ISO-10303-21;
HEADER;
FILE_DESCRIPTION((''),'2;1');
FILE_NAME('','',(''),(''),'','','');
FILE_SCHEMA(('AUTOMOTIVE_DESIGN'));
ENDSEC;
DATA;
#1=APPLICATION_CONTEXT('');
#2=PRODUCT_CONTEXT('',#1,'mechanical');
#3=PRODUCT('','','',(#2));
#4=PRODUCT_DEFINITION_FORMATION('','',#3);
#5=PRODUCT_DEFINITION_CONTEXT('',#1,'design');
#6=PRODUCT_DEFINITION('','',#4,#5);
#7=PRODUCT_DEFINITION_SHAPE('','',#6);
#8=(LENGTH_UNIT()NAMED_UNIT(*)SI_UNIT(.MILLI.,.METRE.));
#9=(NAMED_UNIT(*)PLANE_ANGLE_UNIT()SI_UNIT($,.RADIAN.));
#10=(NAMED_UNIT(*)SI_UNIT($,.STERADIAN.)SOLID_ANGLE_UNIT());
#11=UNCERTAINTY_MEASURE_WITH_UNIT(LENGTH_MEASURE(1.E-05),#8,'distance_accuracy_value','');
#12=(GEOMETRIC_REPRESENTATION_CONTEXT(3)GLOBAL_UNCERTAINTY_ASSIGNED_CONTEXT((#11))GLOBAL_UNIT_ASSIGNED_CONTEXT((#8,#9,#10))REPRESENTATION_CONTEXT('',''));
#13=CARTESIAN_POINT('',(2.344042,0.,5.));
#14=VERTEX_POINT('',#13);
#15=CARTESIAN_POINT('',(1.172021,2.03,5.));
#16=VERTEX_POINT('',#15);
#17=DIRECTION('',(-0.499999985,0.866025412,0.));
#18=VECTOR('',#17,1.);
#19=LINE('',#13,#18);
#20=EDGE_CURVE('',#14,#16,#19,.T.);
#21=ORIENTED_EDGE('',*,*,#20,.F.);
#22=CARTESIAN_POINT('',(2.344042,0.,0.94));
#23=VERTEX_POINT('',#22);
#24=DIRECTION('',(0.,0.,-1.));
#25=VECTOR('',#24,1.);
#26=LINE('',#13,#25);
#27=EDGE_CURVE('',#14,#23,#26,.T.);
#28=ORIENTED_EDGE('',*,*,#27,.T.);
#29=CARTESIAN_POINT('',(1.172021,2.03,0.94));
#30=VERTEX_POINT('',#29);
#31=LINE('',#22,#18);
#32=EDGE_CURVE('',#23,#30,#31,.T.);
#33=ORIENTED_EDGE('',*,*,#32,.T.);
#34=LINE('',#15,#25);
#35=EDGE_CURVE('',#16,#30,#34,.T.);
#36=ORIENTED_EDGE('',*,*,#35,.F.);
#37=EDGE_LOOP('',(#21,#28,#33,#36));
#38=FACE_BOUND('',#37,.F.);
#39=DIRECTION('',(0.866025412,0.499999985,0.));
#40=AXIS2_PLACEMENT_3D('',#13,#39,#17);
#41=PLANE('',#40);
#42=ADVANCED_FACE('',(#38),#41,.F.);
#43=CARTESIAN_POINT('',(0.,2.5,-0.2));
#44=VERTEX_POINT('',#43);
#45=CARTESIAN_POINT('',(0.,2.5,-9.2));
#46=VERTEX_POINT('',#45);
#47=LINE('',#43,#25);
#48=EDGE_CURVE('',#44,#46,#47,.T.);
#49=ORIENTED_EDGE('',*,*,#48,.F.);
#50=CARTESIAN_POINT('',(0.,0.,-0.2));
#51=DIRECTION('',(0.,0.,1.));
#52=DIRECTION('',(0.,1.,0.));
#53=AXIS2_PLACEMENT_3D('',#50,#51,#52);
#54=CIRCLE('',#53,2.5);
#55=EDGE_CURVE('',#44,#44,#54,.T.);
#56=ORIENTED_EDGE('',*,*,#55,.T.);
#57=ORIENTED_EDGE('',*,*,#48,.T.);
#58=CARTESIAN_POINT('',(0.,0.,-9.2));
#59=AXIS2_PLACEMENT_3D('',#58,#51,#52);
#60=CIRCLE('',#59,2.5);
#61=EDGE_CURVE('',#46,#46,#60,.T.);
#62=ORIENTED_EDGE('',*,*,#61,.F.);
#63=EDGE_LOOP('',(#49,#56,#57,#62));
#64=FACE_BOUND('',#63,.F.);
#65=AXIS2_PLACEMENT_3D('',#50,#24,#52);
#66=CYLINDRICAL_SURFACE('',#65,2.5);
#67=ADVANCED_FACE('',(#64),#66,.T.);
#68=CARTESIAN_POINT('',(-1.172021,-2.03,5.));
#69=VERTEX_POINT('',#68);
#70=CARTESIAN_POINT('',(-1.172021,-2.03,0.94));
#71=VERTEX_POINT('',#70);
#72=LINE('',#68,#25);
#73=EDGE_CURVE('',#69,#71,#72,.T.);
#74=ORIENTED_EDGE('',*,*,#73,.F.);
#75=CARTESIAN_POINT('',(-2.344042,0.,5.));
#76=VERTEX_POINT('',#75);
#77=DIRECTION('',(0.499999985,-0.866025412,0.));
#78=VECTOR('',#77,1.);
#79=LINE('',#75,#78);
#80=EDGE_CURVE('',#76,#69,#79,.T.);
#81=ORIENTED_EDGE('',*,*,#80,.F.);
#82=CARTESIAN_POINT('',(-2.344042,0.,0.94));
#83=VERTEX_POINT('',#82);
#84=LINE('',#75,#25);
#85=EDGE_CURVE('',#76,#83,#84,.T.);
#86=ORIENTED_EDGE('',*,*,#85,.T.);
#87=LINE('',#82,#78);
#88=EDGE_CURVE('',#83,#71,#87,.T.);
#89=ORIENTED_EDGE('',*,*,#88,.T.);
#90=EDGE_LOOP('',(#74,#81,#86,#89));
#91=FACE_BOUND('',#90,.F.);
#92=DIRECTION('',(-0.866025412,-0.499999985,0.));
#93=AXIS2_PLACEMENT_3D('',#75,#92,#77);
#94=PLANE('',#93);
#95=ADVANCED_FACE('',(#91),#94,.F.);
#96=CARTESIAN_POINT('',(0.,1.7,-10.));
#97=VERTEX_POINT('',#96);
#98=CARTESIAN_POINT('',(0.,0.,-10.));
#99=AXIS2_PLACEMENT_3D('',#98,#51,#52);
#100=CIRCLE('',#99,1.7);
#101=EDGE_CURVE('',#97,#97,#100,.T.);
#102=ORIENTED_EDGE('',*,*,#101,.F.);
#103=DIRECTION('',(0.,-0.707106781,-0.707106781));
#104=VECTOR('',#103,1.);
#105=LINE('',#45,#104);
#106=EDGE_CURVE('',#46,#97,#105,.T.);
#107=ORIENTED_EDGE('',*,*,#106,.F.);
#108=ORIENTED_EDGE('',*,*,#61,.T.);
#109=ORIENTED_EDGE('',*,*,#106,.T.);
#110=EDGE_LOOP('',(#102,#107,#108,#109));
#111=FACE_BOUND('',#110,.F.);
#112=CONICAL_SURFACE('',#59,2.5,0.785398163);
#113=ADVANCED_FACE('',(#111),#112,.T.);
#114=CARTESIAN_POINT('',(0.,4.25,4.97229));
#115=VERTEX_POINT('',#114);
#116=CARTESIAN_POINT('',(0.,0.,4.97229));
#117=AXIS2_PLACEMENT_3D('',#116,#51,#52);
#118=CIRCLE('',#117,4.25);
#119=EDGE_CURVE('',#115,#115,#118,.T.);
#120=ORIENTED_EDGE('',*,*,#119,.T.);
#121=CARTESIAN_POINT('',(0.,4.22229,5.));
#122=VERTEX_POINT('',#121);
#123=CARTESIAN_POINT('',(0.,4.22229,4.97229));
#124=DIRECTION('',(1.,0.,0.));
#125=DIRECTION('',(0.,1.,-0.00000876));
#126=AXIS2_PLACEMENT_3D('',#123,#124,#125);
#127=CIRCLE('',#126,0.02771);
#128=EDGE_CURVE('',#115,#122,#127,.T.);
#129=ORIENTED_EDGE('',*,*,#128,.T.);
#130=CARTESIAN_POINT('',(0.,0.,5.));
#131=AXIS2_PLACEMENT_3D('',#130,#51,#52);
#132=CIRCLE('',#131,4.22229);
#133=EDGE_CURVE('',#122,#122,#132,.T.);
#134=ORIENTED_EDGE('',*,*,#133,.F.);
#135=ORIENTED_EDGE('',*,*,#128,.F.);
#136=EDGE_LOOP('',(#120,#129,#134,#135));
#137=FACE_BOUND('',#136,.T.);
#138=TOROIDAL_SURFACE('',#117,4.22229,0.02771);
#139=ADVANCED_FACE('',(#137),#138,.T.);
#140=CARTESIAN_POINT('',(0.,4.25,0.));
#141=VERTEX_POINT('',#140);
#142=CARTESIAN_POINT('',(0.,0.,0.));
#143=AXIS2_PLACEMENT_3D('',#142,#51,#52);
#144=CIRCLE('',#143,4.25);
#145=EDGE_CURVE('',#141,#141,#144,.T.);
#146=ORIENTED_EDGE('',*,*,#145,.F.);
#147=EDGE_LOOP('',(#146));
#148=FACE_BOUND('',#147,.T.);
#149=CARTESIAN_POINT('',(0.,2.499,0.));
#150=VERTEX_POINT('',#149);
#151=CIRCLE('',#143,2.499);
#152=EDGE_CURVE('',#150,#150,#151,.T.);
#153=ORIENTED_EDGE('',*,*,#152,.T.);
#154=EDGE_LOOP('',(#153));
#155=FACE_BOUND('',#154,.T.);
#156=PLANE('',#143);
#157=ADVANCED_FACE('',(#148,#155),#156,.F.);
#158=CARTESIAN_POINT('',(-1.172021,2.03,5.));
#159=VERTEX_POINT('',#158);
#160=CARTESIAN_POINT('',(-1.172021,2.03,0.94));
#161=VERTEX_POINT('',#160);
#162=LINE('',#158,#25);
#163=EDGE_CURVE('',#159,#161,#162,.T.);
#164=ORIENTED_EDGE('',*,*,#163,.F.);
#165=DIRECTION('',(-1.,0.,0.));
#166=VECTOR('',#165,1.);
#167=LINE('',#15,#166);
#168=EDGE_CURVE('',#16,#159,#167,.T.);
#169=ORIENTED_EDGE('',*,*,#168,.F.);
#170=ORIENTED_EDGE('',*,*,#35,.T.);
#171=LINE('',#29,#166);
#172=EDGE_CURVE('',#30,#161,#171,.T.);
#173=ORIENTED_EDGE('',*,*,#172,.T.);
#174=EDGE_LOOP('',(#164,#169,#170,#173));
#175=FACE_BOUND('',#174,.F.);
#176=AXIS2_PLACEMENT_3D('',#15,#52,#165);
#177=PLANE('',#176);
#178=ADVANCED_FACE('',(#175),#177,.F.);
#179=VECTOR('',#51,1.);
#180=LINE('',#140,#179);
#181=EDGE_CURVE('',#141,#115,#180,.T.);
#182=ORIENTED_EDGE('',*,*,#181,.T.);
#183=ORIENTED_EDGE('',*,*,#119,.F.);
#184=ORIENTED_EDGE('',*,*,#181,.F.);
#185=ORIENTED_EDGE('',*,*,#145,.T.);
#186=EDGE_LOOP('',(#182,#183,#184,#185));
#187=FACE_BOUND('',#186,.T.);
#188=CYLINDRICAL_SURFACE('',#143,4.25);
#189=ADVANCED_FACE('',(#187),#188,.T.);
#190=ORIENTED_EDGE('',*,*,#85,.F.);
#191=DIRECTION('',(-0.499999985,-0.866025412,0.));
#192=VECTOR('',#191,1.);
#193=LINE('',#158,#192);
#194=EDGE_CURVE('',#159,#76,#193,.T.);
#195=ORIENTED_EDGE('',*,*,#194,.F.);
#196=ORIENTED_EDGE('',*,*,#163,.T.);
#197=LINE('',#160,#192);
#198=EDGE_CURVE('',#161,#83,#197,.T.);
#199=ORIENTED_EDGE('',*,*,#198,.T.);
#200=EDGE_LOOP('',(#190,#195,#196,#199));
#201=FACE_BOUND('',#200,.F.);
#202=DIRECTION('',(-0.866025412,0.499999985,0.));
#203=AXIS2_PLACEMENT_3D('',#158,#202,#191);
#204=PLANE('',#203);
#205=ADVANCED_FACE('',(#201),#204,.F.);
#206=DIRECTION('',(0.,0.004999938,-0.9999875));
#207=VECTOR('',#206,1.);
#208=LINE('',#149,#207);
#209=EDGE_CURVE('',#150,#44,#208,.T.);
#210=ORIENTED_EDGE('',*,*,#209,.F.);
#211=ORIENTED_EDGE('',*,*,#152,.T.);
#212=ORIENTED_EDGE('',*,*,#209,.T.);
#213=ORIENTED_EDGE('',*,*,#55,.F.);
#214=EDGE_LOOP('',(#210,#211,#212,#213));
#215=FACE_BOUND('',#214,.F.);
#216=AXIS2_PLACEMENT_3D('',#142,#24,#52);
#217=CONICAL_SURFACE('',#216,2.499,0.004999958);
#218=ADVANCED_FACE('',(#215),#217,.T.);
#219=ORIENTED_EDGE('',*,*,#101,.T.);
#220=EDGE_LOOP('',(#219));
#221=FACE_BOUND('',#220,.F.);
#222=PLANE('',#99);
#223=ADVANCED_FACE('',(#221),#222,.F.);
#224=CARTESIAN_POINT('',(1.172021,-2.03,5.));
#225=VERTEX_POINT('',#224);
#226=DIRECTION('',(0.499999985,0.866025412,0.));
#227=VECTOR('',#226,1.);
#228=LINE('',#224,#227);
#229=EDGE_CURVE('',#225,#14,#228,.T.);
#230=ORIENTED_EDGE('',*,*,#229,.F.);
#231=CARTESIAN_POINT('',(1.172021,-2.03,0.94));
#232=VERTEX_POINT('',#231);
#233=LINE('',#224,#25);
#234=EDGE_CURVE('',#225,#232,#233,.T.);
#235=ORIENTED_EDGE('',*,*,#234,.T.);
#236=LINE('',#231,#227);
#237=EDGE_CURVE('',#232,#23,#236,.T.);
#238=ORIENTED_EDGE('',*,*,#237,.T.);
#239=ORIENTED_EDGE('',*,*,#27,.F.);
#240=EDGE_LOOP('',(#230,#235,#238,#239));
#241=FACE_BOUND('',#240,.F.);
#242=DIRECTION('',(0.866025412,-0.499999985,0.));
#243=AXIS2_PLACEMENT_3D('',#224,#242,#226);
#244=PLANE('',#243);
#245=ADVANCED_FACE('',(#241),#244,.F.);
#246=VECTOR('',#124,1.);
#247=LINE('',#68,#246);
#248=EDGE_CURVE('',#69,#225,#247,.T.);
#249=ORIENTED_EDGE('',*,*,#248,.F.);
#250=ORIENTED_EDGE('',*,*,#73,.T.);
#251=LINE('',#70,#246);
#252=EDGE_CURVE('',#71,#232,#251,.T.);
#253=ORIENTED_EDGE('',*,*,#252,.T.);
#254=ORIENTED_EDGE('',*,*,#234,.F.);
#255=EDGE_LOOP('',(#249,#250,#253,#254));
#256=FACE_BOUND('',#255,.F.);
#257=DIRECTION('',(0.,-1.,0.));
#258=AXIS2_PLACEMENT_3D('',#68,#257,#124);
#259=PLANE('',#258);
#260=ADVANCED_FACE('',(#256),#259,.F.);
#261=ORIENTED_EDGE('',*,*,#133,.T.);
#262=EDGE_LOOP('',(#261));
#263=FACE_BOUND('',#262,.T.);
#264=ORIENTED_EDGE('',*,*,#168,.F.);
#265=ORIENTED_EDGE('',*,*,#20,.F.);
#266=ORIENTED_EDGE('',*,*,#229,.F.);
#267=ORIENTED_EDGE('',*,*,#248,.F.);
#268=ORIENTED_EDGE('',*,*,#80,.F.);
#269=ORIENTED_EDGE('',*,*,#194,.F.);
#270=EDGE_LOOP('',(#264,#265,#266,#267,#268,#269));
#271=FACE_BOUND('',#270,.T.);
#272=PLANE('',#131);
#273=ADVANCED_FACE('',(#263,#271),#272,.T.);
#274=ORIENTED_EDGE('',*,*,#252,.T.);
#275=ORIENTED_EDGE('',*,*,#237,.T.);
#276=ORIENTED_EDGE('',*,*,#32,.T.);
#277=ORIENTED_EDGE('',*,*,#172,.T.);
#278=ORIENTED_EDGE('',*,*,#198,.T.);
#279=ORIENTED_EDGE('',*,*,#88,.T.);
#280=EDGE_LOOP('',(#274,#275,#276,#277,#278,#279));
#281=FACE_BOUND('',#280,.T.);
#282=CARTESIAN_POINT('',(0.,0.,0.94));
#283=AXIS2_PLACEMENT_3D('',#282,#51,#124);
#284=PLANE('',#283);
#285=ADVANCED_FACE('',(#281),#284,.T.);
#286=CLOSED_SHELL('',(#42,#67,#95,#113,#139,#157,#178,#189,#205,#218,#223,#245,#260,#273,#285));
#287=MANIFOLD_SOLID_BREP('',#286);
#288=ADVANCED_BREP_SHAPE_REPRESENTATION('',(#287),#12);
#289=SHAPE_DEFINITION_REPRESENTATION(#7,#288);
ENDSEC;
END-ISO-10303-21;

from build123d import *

# Parameters (mm, degrees)
POCKET_DEPTH = 4.06


with BuildPart() as part:
    # Sketch → Revolve (revolve)
    with BuildSketch(Plane.YZ):
        with BuildLine():
            Line((2.499, 0), (4.25, 0))
            Line((4.25, 0), (4.25, 4.97229))
            ThreePointArc((4.25, 4.97229), (4.241884, 4.991884), (4.22229, 5))
            Line((4.22229, 5), (0, 5))
            Line((0, -10), (0, 5))
            Line((1.7, -10), (0, -10))
            Line((2.5, -9.2), (1.7, -10))
            Line((2.5, -0.2), (2.5, -9.2))
            Line((2.499, 0), (2.5, -0.2))
        make_face()
    revolve(axis=Axis((0, 0, 0), (0, 0, 1)))

    # Sketch001 → Pocket (cut)
    with BuildSketch(Plane.XY.offset(5)):
        Polygon((2.344042, 0), (1.172021, 2.03), (-1.172021, 2.03), (-2.344042, 0), (-1.172021, -2.03), (1.172021, -2.03), align=None)
    extrude(amount=-POCKET_DEPTH, mode=Mode.SUBTRACT)


solid = part.part
